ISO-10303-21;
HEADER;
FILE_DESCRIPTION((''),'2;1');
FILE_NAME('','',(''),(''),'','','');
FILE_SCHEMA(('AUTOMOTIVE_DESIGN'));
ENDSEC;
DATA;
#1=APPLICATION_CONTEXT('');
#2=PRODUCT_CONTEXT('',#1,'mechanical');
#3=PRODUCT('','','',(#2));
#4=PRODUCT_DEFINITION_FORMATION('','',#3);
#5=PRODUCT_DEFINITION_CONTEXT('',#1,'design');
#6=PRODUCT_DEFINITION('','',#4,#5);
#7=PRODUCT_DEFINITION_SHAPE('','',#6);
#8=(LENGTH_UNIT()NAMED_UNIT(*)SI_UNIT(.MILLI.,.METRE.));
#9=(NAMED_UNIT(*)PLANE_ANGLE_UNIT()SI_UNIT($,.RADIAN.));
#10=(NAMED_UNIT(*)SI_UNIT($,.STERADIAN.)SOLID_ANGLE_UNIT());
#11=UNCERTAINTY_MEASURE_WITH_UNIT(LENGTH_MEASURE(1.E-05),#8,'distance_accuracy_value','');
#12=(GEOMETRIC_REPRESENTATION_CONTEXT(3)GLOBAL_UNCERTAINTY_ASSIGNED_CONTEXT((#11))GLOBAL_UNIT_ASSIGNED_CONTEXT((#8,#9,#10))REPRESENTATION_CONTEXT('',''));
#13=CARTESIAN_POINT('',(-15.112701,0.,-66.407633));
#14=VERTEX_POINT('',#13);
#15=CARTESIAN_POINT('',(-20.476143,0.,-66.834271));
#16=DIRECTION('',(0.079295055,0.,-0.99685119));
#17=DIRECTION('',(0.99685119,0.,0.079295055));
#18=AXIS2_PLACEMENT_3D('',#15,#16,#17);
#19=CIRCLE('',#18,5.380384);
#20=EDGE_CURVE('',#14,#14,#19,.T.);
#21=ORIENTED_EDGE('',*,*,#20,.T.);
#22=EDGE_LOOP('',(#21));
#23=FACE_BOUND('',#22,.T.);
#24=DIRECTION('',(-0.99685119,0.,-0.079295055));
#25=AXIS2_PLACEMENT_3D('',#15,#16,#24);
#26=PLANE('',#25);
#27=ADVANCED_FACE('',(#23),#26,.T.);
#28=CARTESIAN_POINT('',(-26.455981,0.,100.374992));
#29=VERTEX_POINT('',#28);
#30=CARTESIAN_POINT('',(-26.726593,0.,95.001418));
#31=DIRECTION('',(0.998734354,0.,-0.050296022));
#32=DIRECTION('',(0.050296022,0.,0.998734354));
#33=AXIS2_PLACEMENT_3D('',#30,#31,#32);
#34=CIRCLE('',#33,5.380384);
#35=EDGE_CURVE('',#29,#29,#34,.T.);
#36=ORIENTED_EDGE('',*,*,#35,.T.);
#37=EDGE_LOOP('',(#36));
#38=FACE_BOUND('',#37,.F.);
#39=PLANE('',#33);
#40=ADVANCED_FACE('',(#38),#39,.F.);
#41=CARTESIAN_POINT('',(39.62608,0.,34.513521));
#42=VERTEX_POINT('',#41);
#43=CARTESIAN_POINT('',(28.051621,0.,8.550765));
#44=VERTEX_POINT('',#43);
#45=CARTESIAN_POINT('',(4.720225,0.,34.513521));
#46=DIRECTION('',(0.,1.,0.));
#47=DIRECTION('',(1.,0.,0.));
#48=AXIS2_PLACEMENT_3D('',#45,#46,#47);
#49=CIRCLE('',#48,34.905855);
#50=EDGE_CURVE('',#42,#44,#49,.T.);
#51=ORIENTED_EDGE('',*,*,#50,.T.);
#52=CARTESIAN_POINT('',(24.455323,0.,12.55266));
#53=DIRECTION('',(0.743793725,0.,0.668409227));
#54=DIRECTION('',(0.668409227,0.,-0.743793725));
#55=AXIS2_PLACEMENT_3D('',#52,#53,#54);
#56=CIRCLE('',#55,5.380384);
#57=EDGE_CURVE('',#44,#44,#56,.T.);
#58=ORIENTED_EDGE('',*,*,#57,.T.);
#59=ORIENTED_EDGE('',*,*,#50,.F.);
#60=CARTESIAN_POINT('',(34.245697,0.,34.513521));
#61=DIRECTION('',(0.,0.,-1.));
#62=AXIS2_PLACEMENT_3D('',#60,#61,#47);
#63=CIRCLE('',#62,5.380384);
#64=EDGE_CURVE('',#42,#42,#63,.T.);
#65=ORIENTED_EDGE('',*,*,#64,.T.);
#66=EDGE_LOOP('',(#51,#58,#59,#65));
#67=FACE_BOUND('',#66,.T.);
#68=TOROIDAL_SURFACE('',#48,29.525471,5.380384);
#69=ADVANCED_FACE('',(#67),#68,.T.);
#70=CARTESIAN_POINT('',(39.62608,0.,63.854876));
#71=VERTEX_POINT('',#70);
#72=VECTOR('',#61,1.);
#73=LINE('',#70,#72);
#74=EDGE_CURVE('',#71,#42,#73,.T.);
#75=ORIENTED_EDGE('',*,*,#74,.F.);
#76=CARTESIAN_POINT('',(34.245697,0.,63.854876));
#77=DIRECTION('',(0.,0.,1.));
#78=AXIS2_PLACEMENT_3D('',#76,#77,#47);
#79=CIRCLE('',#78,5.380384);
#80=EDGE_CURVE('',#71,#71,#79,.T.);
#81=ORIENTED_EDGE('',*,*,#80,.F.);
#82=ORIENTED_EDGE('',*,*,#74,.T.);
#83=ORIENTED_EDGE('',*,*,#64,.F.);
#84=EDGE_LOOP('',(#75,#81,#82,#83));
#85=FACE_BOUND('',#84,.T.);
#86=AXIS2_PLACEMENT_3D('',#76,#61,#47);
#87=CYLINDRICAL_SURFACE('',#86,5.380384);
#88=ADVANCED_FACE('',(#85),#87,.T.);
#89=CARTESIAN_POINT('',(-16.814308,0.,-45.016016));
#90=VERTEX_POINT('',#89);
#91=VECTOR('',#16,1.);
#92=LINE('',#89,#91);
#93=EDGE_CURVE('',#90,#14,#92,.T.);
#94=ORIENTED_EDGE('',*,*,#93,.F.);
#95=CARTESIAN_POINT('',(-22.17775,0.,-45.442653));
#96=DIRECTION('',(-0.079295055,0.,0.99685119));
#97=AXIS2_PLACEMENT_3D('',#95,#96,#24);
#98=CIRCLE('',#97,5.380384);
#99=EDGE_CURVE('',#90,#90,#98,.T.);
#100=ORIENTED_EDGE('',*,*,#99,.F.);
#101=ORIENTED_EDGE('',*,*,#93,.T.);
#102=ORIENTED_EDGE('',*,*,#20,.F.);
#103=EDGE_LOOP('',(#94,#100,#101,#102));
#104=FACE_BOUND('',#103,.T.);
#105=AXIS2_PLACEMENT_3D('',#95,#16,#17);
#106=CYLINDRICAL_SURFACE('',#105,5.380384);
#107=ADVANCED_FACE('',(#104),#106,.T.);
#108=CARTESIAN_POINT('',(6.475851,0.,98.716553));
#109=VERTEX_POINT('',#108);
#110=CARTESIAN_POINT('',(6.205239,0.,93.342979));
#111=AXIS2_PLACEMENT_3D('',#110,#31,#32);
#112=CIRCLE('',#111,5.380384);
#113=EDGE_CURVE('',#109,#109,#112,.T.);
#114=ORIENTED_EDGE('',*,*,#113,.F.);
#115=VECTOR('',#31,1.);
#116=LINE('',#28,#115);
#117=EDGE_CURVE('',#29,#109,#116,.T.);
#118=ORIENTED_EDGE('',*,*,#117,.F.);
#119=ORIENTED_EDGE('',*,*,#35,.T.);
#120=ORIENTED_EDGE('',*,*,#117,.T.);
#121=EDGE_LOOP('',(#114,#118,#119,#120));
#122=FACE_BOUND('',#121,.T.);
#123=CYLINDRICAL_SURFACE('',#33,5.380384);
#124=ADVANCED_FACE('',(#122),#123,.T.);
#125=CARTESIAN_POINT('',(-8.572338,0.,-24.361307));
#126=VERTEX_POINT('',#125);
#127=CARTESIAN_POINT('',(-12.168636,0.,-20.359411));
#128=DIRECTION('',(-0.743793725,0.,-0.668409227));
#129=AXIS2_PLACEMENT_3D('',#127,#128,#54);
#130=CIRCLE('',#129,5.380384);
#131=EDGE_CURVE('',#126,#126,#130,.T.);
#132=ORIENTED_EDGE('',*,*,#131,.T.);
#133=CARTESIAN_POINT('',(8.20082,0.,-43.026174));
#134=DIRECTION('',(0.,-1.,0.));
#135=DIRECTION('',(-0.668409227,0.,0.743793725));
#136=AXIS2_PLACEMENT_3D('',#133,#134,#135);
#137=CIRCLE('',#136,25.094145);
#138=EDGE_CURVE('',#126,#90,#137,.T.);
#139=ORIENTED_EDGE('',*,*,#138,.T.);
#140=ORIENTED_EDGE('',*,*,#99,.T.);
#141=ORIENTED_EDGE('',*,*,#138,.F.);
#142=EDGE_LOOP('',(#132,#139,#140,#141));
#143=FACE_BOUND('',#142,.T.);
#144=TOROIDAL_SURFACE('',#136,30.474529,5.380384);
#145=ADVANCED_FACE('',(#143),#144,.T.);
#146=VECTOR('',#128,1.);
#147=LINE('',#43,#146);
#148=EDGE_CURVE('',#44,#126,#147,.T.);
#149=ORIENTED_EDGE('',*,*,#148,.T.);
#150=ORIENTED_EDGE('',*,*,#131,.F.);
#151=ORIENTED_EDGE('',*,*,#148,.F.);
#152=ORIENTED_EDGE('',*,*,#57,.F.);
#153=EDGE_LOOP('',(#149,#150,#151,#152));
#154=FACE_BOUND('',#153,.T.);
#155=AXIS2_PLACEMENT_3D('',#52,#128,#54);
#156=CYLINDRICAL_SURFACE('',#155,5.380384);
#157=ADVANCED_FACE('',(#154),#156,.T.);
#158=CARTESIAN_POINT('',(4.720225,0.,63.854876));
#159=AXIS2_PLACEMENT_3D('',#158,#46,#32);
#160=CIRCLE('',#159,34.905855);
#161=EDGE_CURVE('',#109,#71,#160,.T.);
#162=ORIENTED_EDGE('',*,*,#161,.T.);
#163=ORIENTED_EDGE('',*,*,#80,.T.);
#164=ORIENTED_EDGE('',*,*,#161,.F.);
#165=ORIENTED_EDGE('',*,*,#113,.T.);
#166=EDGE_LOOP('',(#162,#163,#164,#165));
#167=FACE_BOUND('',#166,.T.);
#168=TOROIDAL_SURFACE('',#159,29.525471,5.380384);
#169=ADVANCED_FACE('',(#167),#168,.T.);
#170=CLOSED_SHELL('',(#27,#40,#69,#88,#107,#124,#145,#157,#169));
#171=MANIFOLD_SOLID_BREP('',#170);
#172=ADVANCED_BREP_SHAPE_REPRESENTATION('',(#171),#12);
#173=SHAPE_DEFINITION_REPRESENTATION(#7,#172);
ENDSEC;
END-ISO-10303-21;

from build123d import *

# Parameters (mm, degrees)
F2_R = 5.3803837803


with BuildPart() as f3:
    # F3: sweep along a path in F0
    with BuildLine(Plane.XZ) as f3_path:
        Line((-26.7027262608, 95.4753458089), (6.2291059555, 93.8169066576))
        ThreePointArc((6.2291059555, 93.8169066576), (26.4603543194, 84.527727557), (34.7202252982, 63.8548760328))
        Line((34.7202252982, 63.8548760328), (34.7202252982, 34.5135206906))
        ThreePointArc((34.7202252982, 34.5135206906), (32.1206660255, 22.2981267981), (24.7725021017, 12.1997089365))
        Line((24.7725021017, 12.1997089365), (-11.8514567561, -20.7123622394))
        ThreePointArc((-11.8514567561, -20.7123622394), (-19.6627343532, -31.9076158063), (-21.7047156406, -45.4050256521))
        Line((-21.7047156406, -45.4050256521), (-20.0031081269, -66.7966429239))
    # F2 (on line) → F3 (sweep)
    with BuildSketch(Plane(origin=(5.1541917088, 0, -64.7954921983), x_dir=(0.9968511896, 0, 0.0792950553), z_dir=(0.0792950553, 0, -0.9968511896))):
        with Locations((-25.7112942636, 0)):
            Circle(F2_R)
    sweep(path=f3_path.line)


solid = f3.part
